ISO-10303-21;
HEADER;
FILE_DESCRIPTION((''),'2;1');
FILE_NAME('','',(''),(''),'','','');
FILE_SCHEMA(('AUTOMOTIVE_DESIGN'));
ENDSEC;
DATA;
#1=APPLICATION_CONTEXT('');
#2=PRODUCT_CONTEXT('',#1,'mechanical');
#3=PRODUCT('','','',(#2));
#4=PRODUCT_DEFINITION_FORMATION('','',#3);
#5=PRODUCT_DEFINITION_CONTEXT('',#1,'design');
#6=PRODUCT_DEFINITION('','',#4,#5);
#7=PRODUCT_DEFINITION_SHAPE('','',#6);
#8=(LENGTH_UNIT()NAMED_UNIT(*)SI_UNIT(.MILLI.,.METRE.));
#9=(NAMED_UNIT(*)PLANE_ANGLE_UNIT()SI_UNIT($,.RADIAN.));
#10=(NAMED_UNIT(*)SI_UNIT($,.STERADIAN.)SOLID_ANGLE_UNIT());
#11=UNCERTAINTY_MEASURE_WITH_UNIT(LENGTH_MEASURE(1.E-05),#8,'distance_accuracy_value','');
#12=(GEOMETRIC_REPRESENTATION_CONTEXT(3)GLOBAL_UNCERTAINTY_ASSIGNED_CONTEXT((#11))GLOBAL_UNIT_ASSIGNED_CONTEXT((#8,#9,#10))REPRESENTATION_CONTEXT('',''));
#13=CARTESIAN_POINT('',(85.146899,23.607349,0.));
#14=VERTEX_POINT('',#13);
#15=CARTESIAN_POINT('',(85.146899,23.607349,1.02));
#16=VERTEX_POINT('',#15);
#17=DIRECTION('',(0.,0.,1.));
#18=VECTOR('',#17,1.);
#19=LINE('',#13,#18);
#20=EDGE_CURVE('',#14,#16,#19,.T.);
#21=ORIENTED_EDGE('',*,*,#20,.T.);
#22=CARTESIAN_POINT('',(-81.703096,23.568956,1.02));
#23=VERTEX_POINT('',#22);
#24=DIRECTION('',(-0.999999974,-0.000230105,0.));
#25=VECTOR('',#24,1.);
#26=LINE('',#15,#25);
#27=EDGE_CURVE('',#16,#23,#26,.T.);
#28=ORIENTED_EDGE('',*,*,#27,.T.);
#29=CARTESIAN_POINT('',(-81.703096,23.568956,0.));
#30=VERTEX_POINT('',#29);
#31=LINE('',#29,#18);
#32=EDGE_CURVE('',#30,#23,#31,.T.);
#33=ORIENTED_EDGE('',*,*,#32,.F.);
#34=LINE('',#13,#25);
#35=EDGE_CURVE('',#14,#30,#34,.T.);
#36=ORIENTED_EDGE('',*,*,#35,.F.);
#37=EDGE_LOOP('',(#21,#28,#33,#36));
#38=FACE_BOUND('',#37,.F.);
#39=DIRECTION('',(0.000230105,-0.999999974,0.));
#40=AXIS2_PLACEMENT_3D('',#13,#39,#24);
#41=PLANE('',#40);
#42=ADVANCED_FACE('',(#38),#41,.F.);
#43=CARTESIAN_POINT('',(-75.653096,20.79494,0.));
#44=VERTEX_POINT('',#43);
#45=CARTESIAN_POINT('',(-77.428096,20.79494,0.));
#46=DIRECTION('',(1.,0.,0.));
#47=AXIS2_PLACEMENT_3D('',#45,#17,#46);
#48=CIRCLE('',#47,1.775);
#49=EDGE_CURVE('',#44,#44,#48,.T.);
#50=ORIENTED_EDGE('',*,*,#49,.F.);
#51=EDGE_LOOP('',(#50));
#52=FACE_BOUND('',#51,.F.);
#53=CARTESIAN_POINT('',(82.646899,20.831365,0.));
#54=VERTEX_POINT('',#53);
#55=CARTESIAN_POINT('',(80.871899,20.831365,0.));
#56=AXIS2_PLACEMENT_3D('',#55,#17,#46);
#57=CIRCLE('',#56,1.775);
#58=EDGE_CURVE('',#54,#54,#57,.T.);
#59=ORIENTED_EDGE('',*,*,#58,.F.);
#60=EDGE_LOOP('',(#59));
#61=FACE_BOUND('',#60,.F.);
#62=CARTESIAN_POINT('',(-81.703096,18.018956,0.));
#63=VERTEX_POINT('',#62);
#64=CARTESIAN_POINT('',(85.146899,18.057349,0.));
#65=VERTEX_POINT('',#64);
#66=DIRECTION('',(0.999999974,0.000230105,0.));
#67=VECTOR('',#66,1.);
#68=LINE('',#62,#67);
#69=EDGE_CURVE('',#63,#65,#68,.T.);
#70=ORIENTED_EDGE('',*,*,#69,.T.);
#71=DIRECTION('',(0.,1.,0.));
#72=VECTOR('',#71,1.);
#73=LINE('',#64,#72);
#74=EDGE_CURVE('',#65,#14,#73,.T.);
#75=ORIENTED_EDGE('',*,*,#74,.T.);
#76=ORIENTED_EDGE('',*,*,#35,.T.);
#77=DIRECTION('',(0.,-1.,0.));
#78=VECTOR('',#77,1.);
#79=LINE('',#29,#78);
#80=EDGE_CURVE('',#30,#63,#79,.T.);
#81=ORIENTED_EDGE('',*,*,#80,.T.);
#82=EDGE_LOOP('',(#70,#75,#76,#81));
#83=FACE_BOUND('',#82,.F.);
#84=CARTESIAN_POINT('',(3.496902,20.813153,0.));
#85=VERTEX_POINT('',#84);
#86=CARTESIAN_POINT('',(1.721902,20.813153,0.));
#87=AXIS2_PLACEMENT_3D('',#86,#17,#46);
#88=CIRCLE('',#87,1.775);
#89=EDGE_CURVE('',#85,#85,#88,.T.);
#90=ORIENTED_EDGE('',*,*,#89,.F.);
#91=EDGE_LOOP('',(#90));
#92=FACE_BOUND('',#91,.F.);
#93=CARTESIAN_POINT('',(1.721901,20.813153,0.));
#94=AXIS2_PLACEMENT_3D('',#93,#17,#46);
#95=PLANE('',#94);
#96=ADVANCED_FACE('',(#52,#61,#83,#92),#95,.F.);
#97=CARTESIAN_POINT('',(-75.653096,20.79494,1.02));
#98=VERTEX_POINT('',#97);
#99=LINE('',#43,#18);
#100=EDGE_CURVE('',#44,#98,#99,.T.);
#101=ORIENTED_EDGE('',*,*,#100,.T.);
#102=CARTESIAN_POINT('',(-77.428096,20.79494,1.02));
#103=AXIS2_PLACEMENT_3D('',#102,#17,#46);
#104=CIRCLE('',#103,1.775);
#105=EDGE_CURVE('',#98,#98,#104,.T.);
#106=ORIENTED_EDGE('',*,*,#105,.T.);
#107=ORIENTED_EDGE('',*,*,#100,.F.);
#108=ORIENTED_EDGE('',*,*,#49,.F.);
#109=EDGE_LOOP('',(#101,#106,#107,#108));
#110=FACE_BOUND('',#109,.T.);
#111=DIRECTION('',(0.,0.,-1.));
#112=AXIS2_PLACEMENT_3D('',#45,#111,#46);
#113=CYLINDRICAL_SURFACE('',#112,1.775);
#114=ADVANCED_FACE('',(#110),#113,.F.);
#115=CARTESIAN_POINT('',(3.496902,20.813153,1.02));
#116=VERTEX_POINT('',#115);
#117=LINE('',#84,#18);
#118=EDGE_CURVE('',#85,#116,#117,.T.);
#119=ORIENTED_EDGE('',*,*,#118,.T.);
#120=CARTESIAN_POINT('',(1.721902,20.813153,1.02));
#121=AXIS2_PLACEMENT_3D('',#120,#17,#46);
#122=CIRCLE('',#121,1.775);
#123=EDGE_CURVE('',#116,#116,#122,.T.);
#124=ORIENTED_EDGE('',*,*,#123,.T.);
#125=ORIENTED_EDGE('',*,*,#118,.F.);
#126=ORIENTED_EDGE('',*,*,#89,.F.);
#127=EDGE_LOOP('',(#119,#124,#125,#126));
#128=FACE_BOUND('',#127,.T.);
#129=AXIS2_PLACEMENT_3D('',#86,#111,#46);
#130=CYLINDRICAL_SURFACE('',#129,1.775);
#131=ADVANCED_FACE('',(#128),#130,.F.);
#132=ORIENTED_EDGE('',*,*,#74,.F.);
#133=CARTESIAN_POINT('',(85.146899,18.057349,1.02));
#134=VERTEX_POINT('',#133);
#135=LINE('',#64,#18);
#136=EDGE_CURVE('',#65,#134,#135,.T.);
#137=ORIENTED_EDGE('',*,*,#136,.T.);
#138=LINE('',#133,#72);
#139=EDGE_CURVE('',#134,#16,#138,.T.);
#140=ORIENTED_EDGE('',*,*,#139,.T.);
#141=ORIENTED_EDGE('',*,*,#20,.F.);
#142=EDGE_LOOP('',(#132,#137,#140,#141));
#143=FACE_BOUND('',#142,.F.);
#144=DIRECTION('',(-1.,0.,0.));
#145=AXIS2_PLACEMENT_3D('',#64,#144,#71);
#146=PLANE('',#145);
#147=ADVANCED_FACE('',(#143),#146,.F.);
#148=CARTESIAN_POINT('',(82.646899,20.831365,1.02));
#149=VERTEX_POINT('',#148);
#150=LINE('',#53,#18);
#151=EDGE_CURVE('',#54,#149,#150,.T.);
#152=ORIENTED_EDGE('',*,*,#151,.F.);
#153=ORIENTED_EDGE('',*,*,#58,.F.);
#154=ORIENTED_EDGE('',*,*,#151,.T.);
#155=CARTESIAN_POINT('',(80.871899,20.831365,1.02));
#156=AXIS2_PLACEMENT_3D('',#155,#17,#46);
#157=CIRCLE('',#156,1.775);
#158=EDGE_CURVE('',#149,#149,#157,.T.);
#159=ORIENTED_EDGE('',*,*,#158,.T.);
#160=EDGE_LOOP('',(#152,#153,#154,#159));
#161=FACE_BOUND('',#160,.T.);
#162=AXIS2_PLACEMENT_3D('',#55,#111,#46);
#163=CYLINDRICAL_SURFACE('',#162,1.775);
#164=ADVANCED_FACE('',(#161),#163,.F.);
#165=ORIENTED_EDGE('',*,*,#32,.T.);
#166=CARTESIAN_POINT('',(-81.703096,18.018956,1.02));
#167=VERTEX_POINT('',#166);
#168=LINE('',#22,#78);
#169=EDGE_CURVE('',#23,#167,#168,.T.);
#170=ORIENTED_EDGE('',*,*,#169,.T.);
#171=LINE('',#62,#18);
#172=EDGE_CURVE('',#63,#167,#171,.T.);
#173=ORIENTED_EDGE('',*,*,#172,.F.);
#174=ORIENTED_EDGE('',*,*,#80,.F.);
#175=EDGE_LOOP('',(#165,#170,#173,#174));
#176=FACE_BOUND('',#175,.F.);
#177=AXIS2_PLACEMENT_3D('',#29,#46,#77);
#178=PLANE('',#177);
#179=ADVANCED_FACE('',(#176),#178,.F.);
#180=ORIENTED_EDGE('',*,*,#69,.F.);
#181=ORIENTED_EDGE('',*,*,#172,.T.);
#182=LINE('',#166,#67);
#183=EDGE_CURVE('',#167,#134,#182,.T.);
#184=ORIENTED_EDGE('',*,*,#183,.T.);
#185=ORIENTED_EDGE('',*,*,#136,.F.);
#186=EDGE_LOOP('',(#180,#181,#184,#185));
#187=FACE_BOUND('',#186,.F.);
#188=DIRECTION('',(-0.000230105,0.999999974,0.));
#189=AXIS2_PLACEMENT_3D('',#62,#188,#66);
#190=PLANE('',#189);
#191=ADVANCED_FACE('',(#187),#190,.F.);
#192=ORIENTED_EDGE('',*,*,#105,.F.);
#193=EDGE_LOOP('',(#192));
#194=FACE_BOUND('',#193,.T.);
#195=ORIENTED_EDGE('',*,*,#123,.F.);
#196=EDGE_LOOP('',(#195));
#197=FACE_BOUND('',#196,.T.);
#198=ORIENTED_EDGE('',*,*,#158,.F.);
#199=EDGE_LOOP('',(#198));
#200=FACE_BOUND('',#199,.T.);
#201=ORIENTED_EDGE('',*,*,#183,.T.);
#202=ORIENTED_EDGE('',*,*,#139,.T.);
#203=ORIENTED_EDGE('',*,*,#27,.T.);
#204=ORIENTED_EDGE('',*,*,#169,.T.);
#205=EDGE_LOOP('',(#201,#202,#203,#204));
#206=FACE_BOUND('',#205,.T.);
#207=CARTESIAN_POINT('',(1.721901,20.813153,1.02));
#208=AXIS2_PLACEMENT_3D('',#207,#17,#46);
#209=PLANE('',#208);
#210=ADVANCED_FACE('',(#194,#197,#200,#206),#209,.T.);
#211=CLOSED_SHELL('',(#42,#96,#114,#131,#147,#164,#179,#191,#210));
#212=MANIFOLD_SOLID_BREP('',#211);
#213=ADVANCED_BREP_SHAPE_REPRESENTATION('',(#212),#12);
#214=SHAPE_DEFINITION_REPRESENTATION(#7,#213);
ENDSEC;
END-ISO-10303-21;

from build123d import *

# Parameters (mm, degrees)
F0_R     = 1.775
F1_DEPTH = 1.02


with BuildPart() as f1:
    # F0 (on Top) → F1 (new body)
    with BuildSketch(Plane.XY):
        Polygon((85.146899, 23.607349), (-81.703096, 23.568956), (-81.703096, 18.018956), (85.146899, 18.057349), align=None)
        with Locations((-77.428096, 20.79494)):
            Circle(F0_R, mode=Mode.SUBTRACT)
        with Locations((1.721902, 20.813153)):
            Circle(F0_R, mode=Mode.SUBTRACT)
        with Locations((80.871899, 20.831365)):
            Circle(F0_R, mode=Mode.SUBTRACT)
    extrude(amount=F1_DEPTH)


solid = f1.part
